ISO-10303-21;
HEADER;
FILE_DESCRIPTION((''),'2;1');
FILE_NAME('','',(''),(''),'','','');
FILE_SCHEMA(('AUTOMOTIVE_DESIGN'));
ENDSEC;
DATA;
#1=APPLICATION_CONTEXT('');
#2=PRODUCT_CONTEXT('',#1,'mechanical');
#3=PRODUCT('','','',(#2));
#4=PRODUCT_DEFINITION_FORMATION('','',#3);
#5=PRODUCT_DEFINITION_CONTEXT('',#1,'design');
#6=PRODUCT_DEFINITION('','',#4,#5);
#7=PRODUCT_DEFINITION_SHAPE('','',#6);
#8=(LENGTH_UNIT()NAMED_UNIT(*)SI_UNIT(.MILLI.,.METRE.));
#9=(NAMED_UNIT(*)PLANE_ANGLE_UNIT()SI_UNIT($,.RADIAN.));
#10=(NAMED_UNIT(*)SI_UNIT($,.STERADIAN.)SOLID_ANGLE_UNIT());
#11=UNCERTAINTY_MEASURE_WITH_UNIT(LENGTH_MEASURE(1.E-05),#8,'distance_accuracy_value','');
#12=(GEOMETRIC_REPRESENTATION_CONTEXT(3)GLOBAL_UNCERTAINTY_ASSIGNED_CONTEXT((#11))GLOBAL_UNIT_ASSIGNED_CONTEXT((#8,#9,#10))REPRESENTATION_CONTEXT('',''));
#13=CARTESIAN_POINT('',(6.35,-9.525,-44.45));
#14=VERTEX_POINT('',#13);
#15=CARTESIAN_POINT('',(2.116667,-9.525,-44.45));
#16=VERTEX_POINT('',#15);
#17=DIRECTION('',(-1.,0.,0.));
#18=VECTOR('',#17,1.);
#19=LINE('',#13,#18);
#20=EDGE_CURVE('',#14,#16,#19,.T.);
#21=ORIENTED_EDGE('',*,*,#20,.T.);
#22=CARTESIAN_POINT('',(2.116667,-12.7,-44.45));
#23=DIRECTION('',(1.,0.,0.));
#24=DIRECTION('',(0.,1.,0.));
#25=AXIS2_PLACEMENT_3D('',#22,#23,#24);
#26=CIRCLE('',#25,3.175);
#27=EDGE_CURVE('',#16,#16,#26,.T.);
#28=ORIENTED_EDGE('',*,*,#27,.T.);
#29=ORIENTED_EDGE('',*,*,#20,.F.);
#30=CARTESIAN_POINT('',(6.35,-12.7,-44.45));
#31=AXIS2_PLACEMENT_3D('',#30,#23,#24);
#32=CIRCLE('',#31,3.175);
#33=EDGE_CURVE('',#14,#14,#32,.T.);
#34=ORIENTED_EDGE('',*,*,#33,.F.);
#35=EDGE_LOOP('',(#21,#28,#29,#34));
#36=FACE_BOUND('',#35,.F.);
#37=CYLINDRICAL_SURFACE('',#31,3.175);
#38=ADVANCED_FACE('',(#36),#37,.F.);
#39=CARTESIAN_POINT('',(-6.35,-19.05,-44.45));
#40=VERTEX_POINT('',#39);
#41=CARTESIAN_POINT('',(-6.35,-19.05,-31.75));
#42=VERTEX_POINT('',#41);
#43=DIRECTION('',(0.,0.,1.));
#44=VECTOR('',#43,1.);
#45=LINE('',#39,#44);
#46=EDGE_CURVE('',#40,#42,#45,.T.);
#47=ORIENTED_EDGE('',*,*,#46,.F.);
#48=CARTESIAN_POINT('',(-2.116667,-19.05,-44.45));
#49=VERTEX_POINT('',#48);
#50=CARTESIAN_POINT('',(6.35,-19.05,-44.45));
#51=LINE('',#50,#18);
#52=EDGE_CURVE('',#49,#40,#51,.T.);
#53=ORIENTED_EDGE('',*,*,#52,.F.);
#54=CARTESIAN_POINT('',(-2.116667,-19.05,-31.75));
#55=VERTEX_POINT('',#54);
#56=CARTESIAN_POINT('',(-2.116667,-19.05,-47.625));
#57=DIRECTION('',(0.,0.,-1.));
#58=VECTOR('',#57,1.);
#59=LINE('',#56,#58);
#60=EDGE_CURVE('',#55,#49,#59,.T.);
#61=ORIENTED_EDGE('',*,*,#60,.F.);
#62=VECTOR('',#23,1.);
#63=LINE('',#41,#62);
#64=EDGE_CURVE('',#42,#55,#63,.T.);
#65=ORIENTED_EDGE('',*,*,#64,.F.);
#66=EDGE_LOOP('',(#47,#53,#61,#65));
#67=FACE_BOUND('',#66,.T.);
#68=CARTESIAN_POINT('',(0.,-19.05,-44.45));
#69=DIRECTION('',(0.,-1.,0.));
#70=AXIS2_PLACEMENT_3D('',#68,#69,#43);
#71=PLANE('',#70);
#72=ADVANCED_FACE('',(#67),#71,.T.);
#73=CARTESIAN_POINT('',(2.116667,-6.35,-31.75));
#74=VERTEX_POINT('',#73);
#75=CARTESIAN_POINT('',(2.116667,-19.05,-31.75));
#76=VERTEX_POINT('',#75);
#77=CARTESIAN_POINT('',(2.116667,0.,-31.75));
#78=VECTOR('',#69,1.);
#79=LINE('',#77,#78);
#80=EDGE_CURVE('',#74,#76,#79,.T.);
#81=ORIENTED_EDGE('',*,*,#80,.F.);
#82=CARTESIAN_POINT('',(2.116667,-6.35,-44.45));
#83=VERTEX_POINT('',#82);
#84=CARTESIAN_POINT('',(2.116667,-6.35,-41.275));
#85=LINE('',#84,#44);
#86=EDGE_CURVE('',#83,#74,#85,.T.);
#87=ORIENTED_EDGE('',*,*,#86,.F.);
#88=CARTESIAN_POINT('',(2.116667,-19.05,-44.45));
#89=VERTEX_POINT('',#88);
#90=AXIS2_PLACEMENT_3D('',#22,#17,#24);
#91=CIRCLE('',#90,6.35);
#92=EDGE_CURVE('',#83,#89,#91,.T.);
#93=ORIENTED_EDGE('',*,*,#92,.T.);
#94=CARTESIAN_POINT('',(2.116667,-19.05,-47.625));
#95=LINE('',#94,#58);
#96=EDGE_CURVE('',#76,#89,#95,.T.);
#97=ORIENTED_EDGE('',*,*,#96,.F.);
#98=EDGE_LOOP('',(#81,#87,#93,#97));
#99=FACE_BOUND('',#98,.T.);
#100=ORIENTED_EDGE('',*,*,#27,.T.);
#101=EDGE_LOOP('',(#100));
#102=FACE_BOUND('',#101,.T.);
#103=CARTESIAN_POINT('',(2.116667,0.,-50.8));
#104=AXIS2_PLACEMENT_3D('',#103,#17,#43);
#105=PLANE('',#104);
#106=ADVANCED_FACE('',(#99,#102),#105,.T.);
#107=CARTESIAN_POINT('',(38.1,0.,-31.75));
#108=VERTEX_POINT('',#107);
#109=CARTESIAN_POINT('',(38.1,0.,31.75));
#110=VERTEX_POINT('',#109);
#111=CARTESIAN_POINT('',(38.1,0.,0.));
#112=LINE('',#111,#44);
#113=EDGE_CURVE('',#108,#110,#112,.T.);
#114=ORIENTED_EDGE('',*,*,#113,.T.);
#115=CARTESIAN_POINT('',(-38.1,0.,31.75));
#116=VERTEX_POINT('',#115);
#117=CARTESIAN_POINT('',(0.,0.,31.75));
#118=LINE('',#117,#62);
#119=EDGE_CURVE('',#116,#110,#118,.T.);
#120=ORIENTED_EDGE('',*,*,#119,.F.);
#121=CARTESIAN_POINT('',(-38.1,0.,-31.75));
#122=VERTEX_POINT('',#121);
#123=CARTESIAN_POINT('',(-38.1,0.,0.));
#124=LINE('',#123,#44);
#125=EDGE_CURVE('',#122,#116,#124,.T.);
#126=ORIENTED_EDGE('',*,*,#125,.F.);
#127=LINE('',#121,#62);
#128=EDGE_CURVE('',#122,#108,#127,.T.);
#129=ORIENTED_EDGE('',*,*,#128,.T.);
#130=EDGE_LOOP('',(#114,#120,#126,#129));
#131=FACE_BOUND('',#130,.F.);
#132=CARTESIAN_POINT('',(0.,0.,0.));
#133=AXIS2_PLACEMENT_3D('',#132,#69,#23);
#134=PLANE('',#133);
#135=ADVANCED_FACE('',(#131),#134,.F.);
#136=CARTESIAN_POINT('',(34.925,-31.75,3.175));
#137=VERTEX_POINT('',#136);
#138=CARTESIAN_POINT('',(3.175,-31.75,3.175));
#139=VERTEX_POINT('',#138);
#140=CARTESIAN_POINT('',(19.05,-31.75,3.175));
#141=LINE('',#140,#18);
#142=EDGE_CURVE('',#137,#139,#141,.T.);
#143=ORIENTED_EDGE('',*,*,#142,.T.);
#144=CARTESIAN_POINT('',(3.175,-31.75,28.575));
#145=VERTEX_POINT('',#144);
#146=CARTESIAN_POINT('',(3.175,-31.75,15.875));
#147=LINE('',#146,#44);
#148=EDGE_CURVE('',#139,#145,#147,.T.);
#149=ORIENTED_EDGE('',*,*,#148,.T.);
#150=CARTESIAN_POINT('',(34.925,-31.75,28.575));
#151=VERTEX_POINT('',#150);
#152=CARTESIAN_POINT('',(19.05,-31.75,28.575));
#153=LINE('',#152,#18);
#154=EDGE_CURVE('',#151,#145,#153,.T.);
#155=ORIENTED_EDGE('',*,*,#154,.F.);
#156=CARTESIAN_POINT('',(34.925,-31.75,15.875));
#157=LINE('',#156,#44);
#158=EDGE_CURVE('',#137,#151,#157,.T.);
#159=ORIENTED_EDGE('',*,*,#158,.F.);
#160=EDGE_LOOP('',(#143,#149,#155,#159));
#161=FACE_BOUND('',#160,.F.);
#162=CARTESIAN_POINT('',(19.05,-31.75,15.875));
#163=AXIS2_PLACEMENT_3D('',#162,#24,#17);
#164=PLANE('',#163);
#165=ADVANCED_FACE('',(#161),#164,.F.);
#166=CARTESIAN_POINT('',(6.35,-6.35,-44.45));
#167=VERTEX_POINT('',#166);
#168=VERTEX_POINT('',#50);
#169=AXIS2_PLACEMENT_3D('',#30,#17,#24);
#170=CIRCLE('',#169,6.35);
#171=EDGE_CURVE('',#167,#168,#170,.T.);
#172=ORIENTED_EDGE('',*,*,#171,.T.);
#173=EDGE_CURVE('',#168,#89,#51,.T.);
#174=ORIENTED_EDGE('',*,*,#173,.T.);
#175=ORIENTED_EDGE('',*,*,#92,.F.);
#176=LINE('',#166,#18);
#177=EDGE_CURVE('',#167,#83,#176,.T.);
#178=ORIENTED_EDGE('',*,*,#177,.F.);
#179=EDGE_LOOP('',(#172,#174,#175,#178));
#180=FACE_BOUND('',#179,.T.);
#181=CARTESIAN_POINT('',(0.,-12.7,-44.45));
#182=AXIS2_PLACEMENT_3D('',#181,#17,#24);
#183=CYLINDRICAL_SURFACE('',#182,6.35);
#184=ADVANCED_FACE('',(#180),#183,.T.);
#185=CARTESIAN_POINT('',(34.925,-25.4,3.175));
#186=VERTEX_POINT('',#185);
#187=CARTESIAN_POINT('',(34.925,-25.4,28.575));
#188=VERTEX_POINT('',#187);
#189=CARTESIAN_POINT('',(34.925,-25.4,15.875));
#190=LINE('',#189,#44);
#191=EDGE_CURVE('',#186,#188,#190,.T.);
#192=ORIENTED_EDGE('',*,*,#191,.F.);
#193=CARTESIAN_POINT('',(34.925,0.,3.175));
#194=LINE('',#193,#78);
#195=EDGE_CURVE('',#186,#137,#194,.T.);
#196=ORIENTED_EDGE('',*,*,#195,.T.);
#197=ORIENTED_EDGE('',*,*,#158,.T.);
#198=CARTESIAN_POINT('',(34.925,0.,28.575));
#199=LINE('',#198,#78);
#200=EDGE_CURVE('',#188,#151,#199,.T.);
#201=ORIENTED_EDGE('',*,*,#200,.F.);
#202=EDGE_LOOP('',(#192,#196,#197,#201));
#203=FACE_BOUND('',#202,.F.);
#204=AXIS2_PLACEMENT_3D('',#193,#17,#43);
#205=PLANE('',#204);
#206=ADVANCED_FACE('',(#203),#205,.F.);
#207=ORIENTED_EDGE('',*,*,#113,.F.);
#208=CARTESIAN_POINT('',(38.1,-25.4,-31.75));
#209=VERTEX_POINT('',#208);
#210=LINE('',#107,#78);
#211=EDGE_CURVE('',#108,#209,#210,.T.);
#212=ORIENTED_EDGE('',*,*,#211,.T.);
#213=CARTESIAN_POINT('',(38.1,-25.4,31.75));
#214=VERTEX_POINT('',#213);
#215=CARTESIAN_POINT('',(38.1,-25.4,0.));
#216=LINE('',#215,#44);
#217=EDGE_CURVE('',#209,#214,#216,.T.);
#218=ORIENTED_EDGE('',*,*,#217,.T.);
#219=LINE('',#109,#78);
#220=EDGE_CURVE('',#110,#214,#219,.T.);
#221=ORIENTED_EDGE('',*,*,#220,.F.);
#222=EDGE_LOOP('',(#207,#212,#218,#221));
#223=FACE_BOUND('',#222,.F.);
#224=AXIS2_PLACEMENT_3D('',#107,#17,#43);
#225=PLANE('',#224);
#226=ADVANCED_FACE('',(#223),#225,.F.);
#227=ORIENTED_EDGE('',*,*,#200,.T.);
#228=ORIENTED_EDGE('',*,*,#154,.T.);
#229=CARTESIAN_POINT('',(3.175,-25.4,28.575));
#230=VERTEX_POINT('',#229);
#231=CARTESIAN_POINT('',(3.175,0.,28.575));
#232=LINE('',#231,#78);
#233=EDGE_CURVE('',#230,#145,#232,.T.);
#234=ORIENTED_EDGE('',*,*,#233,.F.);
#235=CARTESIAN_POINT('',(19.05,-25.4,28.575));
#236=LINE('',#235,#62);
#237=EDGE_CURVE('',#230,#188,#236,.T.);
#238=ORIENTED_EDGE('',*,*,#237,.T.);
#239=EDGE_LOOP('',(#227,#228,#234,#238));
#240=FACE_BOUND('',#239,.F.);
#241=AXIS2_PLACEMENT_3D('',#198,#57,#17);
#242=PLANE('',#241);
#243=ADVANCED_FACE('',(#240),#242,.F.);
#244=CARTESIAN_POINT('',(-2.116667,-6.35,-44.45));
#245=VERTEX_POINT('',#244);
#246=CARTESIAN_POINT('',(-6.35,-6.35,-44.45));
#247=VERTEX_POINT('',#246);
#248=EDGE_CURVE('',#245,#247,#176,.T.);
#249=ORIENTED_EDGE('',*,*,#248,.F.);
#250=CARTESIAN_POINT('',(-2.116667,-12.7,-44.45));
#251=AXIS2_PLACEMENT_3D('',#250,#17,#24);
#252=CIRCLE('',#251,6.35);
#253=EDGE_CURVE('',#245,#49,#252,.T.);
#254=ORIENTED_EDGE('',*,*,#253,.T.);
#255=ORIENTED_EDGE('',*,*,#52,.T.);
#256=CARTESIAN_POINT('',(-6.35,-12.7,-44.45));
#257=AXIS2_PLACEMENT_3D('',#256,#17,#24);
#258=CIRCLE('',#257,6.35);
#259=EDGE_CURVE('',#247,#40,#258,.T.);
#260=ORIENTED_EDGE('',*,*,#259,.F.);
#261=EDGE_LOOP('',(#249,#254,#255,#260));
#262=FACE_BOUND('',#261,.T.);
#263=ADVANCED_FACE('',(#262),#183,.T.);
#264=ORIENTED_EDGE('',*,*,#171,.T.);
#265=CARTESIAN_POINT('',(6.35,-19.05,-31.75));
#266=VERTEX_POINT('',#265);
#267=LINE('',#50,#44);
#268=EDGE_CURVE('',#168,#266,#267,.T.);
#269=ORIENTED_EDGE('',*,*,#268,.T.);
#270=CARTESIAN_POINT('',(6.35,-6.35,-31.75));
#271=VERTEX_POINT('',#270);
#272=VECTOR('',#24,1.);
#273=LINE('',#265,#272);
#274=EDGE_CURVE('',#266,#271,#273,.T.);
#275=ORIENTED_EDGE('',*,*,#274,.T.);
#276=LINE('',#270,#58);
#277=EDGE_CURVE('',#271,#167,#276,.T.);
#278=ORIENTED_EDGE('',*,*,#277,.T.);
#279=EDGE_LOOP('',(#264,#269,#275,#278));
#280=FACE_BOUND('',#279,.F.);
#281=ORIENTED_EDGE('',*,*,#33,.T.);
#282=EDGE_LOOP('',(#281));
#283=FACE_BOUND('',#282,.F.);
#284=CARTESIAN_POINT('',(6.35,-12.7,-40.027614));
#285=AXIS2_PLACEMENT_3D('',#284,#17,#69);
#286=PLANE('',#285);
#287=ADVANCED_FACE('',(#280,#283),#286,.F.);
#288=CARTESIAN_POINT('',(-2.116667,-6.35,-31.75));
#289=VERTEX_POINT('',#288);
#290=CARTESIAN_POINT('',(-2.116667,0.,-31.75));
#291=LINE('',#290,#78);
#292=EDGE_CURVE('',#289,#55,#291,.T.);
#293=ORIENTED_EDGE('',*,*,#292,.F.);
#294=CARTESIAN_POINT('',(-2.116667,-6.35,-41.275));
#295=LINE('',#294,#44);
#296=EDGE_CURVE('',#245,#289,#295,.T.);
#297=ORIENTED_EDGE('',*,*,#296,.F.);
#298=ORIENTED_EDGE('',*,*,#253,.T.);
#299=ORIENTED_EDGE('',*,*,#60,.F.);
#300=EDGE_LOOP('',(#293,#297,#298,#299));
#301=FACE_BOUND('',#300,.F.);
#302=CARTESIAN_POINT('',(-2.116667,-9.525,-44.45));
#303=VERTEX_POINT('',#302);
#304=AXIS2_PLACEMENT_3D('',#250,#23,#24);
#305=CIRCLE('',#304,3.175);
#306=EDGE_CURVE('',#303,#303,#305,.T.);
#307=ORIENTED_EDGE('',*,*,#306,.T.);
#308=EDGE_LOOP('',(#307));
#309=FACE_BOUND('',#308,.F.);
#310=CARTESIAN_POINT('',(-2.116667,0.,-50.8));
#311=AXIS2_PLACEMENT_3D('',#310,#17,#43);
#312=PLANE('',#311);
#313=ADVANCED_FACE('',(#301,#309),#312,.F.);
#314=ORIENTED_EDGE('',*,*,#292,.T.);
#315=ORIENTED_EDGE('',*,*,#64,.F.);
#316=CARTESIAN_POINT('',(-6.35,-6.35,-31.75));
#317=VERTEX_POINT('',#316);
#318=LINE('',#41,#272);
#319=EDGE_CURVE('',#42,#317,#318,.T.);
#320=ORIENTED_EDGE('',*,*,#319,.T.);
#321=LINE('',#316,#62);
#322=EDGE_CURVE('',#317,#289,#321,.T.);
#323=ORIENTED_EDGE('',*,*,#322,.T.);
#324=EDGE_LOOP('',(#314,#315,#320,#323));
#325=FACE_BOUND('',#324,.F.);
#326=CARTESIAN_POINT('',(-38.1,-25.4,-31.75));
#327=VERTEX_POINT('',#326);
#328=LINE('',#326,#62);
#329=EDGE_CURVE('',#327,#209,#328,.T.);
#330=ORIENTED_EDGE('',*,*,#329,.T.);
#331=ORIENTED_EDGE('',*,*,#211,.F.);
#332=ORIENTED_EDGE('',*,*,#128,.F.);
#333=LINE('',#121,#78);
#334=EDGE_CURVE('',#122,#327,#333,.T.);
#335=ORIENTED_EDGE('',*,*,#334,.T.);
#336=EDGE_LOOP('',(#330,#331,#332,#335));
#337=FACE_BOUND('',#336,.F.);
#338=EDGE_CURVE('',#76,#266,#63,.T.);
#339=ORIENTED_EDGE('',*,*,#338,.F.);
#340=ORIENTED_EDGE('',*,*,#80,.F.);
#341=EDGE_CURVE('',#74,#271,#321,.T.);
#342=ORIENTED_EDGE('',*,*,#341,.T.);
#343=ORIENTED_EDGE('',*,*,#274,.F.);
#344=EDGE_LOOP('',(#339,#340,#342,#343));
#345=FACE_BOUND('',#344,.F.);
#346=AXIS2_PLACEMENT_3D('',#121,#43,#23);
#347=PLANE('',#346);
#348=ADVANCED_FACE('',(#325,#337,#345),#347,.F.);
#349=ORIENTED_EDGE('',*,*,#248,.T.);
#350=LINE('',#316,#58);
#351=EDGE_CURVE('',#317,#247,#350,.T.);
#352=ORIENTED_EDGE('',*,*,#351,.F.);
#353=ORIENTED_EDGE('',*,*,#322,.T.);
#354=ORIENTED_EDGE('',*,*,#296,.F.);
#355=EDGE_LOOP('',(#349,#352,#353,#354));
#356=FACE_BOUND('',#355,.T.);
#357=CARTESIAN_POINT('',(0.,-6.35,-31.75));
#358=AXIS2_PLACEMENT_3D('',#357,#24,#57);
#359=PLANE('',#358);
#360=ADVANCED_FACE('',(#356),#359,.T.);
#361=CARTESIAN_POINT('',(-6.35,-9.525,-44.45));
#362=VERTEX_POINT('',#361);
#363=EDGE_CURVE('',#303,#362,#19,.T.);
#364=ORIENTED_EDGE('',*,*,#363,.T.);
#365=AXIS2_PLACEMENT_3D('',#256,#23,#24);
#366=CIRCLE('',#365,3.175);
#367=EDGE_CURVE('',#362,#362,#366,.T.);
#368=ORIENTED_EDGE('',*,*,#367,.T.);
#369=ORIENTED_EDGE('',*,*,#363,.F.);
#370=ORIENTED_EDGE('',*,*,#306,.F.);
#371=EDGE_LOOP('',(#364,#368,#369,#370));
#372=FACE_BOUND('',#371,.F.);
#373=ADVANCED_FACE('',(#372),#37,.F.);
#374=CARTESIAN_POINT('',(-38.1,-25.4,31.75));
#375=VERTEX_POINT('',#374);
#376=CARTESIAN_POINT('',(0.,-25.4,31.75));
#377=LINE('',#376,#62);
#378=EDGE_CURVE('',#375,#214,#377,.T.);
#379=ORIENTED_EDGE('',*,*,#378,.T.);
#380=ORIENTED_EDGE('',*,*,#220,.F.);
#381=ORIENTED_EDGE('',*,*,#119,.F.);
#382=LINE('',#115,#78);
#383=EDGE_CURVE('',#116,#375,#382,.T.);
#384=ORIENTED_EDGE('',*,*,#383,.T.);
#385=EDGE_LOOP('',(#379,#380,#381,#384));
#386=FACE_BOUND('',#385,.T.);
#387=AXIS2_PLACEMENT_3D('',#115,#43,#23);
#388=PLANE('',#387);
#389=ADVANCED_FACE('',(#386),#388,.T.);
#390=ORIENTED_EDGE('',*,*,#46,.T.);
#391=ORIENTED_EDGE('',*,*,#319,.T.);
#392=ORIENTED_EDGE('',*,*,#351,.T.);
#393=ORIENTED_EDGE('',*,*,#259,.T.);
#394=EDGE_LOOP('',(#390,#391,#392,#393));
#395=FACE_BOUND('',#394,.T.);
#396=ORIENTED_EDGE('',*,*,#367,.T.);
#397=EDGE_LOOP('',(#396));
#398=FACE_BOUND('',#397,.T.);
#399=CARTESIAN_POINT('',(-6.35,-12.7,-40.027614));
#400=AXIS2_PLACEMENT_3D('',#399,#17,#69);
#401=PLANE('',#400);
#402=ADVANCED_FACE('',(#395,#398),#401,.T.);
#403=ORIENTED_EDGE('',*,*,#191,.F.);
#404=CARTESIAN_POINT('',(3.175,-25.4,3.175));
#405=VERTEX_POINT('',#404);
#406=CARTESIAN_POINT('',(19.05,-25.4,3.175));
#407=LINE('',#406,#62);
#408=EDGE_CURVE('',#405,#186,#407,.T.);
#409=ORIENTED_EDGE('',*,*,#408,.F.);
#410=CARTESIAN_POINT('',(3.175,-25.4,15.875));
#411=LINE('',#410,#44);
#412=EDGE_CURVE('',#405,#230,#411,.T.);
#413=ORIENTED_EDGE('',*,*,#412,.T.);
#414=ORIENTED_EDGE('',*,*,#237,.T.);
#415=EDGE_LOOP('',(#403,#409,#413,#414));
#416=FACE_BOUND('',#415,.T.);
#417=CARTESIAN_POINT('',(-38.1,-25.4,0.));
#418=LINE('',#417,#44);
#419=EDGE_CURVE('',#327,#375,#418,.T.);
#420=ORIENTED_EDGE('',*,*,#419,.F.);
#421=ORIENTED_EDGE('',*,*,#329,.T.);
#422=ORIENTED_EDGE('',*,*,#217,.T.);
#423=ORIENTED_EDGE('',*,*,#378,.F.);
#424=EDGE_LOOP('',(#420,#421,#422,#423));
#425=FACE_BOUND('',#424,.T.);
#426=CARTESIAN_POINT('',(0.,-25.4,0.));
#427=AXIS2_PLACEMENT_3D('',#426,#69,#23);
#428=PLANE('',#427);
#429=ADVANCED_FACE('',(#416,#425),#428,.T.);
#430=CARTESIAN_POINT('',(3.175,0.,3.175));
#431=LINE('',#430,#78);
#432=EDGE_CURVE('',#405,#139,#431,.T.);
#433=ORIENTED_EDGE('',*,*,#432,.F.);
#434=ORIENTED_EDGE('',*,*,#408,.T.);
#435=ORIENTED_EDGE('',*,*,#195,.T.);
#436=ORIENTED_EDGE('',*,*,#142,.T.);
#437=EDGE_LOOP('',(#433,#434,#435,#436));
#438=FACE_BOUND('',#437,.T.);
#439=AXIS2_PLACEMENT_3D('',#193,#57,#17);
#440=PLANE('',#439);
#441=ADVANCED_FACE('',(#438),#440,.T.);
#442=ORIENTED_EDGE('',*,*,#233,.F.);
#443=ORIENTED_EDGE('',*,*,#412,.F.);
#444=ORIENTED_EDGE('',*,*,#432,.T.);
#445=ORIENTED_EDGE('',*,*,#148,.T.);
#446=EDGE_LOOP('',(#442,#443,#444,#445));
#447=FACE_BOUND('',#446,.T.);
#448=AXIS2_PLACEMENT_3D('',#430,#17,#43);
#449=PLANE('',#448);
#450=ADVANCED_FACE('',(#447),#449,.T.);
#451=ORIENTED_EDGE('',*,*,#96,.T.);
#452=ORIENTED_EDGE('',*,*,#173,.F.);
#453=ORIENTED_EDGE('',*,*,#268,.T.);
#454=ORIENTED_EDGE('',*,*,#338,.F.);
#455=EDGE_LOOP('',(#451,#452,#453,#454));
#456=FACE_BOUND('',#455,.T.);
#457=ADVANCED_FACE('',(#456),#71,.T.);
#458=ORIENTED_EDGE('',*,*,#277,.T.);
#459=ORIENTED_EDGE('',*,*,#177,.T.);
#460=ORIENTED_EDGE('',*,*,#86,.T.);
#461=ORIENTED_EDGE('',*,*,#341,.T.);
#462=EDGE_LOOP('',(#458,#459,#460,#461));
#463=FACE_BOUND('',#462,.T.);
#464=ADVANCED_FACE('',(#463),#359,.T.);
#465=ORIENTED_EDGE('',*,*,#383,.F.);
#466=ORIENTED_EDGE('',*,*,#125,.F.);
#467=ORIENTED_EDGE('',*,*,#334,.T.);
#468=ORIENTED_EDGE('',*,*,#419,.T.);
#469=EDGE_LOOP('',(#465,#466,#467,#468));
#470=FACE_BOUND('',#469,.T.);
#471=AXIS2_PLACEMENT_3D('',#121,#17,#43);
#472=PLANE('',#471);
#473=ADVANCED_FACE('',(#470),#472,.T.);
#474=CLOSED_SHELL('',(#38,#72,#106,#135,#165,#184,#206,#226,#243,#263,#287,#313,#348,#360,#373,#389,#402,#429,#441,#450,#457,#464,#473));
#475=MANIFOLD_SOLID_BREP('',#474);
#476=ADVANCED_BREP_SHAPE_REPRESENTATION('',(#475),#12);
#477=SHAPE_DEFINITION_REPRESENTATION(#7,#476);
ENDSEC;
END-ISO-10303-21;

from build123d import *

# Parameters (mm, degrees)
F0_W      = 76.2
F0_H      = 63.5
F0_W_2    = 31.75
F0_H_2    = 25.4
F1_DEPTH  = 25.4
F2_W      = 31.75
F2_H      = 25.4
F3_DEPTH  = 31.75
F6_DEPTH  = 6.35
F7_W      = 4.2333333333
F7_H      = 19.05
F8_DEPTH  = 31.751
F9_R      = 3.175
F10_DEPTH = 44.451


with BuildPart() as f1:
    # F0 (on Front) → F1 (new body)
    with BuildSketch(Plane.XZ):
        Rectangle(F0_W, F0_H)
        with Locations((19.05, 15.875)):
            Rectangle(F0_W_2, F0_H_2, mode=Mode.SUBTRACT)
    extrude(amount=F1_DEPTH)

    # F2 (on face) → F3 (join)
    with BuildSketch(Plane(origin=(0, 0, 0), x_dir=(-1, 0, 0), z_dir=(0, 1, 0))):
        with Locations((-19.05, 15.875)):
            Rectangle(F2_W, F2_H)
    extrude(amount=-F3_DEPTH)

    # F5 (on offset) → F6 (join, symmetric)
    with BuildSketch(Plane(origin=(0, 0, 0), x_dir=(0, -1, 0), z_dir=(-1, 0, 0))):
        with BuildLine():
            Line((6.35, -31.75), (6.35, -44.45))
            ThreePointArc((6.35, -44.45), (12.7, -50.8), (19.05, -44.45))
            Line((19.05, -44.45), (19.05, -31.75))
            Line((19.05, -31.75), (6.35, -31.75))
        make_face()
    extrude(amount=F6_DEPTH, both=True)

    # F7 (on Front) → F8 (cut, through all)
    with BuildSketch(Plane.XZ):
        with Locations((0, -41.275)):
            Rectangle(F7_W, F7_H)
    extrude(amount=F8_DEPTH, mode=Mode.SUBTRACT)

    # F9 (on face) → F10 (cut, through all)
    with BuildSketch(Plane.YZ.offset(6.35)):
        with Locations((-12.7, -44.45)):
            Circle(F9_R)
    extrude(amount=-F10_DEPTH, mode=Mode.SUBTRACT)


solid = f1.part
